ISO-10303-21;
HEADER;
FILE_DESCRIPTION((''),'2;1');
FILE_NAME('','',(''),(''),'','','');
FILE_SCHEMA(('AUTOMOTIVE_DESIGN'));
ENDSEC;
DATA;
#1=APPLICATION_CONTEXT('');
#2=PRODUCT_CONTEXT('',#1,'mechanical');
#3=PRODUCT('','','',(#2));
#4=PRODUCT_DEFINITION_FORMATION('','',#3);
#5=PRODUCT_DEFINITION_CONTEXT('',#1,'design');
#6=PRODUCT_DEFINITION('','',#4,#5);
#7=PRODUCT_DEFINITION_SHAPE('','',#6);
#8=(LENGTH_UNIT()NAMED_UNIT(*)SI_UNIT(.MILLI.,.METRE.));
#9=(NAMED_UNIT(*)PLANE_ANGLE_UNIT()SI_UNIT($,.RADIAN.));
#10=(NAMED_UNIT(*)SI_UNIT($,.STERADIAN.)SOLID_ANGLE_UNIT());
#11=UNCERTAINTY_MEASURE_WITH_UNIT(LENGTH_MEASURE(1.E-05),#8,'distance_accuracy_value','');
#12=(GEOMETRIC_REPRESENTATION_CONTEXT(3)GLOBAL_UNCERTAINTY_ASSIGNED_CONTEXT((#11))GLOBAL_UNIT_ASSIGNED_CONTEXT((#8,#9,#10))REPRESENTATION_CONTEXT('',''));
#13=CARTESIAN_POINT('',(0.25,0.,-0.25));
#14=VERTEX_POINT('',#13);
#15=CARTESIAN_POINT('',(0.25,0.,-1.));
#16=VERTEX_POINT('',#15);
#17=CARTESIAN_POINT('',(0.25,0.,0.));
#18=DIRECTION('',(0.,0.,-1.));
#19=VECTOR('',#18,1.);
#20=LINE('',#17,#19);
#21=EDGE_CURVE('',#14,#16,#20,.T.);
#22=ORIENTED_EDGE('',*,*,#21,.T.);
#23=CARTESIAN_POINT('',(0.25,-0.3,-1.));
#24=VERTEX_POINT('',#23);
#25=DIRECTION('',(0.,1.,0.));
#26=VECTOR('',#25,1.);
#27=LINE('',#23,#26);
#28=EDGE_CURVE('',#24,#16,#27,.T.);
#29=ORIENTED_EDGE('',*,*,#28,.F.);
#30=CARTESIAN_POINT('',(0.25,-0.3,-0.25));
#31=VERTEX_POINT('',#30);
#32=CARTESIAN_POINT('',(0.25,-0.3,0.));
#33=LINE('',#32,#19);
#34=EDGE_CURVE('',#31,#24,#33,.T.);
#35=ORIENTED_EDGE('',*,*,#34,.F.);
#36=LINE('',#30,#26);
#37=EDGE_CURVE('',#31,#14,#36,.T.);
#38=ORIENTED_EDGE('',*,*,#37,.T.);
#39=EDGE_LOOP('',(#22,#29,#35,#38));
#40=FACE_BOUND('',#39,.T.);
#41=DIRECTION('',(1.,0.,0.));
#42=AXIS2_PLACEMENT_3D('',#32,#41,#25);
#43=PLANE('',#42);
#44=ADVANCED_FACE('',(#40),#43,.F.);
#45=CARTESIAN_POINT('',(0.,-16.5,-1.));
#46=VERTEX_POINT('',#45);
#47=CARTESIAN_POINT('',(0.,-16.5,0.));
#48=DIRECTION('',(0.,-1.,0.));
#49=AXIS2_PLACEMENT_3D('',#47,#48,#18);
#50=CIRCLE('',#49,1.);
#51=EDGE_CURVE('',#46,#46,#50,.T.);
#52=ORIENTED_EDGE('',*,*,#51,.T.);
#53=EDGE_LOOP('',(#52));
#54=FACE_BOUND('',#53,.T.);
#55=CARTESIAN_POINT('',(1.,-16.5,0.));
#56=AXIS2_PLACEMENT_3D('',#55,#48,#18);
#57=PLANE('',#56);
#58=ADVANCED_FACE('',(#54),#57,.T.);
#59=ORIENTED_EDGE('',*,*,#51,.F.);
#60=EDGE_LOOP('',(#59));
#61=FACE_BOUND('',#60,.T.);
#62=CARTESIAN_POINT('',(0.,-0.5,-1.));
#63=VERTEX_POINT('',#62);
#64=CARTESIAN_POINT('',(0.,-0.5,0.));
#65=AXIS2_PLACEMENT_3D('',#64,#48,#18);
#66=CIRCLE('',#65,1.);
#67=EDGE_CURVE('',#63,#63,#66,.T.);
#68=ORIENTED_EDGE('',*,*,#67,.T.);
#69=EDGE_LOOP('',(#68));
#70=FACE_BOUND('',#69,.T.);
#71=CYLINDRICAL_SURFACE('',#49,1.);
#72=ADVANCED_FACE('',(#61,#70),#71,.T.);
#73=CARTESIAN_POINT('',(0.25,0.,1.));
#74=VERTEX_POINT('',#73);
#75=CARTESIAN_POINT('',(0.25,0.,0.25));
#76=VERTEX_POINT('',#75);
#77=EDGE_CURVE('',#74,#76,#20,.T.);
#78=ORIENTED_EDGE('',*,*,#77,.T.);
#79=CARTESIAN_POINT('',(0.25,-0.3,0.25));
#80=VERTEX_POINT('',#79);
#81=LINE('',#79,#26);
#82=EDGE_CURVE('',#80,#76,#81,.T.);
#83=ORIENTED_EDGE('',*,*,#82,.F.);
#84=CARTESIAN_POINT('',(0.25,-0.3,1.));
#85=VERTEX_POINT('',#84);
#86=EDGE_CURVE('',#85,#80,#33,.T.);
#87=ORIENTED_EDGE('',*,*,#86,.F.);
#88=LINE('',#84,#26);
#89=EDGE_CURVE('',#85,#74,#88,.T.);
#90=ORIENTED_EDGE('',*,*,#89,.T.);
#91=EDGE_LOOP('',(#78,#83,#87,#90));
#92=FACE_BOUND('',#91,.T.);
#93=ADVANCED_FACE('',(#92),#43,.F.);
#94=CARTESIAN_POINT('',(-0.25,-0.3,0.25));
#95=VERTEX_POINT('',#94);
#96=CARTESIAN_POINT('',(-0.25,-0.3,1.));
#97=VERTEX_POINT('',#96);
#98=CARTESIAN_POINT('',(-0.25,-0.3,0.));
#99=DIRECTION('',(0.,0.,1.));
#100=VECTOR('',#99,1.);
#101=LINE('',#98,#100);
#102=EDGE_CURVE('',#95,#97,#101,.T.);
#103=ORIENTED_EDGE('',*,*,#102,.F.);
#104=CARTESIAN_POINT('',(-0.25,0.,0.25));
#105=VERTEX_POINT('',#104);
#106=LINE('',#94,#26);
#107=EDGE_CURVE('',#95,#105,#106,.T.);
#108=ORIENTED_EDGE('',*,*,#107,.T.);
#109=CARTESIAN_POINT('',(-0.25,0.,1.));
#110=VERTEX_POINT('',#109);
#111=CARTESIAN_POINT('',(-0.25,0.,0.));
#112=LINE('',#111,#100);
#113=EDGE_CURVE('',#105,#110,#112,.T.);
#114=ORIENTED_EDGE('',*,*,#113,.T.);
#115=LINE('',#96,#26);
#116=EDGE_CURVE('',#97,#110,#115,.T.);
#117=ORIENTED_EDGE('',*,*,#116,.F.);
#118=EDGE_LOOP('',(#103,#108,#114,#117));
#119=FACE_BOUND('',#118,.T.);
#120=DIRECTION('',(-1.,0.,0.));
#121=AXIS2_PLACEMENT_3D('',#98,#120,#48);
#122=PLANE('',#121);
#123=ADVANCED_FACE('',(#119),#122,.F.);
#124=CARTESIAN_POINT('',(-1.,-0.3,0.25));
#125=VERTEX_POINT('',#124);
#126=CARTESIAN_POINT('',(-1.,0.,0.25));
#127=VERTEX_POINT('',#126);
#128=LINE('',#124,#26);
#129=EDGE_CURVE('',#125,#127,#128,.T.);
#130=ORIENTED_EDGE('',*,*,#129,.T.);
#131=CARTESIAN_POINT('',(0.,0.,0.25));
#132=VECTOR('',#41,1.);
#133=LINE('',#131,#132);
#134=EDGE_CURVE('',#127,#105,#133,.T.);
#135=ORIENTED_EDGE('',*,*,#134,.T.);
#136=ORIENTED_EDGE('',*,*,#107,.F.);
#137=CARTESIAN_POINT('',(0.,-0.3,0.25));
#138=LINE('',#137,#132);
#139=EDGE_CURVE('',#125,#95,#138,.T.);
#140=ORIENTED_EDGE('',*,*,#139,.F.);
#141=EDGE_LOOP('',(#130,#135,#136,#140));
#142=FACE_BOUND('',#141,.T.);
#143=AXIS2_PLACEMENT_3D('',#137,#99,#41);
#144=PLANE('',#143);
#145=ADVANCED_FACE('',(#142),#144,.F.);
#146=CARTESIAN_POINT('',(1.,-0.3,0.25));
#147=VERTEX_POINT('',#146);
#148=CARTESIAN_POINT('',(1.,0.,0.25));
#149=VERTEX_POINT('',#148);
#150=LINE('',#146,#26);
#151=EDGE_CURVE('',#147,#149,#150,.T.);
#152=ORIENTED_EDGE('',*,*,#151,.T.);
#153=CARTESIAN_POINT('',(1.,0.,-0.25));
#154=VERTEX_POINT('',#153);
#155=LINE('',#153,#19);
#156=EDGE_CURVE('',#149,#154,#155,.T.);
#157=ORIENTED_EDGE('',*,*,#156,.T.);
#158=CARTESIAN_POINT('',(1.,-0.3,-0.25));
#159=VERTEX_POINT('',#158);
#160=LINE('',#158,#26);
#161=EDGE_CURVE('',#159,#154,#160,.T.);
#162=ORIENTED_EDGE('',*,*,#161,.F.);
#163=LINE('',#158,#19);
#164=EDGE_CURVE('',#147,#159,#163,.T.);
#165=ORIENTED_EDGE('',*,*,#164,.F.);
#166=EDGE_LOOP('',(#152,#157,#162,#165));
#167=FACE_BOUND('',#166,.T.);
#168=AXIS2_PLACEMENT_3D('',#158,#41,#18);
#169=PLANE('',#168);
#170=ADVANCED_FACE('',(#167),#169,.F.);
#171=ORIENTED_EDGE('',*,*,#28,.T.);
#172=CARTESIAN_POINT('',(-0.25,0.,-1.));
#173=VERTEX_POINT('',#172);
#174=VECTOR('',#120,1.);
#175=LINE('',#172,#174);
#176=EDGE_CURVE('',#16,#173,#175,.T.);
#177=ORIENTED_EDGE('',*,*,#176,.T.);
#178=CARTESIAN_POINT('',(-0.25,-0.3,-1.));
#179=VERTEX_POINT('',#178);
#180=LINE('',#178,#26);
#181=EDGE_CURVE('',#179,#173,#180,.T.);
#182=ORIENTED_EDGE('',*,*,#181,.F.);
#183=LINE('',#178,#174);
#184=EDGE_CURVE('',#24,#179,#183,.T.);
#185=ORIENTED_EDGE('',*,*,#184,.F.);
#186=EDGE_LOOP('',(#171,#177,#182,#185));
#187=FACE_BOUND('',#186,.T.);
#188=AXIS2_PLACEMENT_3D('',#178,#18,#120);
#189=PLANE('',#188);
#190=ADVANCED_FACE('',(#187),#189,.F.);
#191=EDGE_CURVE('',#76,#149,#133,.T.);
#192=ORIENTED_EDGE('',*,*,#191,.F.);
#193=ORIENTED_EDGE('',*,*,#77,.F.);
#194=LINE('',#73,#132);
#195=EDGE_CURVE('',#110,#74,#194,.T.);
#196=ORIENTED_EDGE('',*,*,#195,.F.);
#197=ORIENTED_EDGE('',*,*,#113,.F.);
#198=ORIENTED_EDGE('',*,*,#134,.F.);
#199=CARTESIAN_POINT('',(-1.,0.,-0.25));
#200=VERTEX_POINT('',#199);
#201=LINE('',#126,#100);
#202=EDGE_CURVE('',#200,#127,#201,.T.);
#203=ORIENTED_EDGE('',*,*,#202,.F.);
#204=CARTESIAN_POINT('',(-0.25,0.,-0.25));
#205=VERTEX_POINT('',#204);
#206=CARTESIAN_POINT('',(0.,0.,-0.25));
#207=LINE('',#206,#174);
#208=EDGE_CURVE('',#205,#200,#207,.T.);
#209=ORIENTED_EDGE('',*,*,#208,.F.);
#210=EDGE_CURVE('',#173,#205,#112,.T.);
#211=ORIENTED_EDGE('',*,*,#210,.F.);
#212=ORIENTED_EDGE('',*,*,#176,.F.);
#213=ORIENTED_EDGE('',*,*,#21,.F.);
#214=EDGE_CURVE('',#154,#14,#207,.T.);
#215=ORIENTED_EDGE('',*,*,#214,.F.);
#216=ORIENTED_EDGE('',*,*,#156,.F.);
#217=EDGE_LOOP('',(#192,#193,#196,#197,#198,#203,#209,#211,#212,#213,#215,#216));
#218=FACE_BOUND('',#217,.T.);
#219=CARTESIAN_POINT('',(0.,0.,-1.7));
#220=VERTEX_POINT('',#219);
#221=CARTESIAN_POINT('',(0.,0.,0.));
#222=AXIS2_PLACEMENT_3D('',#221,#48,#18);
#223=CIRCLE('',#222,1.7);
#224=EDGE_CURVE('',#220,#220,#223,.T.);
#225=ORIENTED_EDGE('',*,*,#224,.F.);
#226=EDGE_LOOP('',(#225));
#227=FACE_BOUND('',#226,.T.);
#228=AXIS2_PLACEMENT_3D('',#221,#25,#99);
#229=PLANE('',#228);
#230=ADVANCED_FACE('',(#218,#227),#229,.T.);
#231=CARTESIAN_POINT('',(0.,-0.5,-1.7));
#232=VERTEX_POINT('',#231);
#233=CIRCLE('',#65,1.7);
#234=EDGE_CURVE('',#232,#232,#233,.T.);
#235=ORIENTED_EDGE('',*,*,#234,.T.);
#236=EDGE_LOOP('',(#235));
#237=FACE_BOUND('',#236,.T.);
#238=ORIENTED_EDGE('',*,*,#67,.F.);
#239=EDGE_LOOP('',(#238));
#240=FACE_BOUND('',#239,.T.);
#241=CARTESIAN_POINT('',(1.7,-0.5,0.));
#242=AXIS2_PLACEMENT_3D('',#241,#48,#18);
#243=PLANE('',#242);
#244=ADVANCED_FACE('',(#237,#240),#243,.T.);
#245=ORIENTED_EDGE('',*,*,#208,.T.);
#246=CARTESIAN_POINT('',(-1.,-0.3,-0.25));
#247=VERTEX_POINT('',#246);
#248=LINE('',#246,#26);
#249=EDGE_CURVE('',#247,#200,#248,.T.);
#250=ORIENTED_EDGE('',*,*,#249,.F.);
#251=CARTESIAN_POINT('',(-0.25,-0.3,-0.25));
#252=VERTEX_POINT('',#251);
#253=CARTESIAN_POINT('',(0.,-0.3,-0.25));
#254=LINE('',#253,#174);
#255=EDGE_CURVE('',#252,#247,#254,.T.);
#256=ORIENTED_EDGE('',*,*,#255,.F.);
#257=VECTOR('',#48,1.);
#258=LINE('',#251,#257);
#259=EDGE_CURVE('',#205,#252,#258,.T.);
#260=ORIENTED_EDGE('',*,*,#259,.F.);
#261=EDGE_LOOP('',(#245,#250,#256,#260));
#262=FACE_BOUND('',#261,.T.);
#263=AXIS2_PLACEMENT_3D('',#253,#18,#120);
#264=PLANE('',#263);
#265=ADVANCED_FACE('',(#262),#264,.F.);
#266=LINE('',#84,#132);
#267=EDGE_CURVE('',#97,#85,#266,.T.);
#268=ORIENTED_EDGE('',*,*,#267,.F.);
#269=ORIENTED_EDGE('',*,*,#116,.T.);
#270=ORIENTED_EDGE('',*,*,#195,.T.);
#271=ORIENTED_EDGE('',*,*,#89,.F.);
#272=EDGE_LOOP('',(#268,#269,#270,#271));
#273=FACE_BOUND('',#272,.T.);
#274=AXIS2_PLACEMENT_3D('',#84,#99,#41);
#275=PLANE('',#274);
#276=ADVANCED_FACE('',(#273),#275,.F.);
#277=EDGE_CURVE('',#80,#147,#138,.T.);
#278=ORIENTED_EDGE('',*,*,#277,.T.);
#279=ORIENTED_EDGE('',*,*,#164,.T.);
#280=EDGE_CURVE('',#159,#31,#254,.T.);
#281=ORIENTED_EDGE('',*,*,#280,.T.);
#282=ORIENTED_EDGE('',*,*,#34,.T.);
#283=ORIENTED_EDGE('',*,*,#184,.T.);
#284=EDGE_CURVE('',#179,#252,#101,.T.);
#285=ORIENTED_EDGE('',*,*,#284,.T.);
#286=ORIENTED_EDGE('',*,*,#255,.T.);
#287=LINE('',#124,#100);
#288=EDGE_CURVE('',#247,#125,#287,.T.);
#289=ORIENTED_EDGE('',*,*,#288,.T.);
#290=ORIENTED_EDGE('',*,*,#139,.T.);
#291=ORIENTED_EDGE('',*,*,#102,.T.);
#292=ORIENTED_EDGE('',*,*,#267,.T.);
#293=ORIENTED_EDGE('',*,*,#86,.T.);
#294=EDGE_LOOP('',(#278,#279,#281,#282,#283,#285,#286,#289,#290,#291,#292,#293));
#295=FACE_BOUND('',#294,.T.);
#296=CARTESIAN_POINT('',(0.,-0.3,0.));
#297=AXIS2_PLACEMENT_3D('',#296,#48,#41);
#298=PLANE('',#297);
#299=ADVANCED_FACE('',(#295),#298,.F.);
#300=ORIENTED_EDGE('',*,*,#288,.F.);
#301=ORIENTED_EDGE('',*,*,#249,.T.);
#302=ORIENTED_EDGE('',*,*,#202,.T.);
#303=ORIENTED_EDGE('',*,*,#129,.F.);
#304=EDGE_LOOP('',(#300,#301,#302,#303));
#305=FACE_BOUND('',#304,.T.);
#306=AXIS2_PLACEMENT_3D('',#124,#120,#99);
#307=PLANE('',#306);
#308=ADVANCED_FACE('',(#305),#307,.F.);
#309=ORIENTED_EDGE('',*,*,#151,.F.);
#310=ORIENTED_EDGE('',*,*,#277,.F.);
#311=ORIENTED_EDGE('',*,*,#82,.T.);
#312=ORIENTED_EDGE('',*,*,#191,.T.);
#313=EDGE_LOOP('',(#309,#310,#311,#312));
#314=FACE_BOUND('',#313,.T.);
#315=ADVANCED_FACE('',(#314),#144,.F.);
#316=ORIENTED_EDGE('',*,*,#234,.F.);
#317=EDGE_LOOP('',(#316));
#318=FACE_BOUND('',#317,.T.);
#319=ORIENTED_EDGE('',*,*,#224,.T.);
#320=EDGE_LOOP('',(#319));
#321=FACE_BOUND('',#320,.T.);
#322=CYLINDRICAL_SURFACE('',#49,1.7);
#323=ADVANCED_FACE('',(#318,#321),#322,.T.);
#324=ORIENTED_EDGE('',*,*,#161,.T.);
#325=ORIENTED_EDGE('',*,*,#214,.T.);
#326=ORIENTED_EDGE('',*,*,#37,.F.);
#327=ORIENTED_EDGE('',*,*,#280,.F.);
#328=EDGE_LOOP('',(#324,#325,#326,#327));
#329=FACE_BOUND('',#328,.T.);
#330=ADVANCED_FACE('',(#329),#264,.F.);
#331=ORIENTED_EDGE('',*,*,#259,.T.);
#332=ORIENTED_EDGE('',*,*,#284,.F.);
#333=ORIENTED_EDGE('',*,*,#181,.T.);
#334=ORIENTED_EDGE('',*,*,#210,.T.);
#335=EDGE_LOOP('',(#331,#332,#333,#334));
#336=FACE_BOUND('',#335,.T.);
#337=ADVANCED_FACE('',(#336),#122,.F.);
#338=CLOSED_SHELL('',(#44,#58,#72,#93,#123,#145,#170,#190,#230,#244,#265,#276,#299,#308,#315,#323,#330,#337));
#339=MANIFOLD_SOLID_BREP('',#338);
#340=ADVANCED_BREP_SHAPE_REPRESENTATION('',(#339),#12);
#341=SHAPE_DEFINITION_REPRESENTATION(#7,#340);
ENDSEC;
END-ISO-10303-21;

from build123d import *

# Parameters (mm, degrees)
SKETCH_2_W               = 0.5
SKETCH_2_H               = 1
CUT_EXTRUDE_1_DEPTH      = 0.3
PATTERN_CIRCULAR_1_COUNT = 4


with BuildPart() as part:
    # ｽｹｯﾁ1 → 回転1 (revolve)
    with BuildSketch(Plane.XY, mode=Mode.PRIVATE) as revolve_1_sk:
        Polygon((0, 0), (1.7, 0), (1.7, -0.5), (1, -0.5), (1, -16.5), (0, -16.5), align=None)
    revolve(revolve_1_sk.sketch.rotate(Axis((0, -16.5, 0), (0, 1, 0)), 90), axis=Axis((0, -16.5, 0), (0, 1, 0)))

    # ｽｹｯﾁ2 → ｶｯﾄ - 押し出し1 (cut)
    with BuildSketch(Plane(origin=(0, 0, 0), x_dir=(1, 0, 0), z_dir=(0, 1, 0))):
        with Locations((0, 0.5)):
            Rectangle(SKETCH_2_W, SKETCH_2_H)
    cut_extrude_1 = extrude(amount=-CUT_EXTRUDE_1_DEPTH, mode=Mode.SUBTRACT)

    # 円形ﾊﾟﾀｰﾝ1: ｶｯﾄ - 押し出し1 ×4 about axis
    pattern_circular_1_axis = Axis((0, 0, 0), (0, 1, 0))
    for i in range(1, PATTERN_CIRCULAR_1_COUNT):
        add(cut_extrude_1.rotate(pattern_circular_1_axis, i * 360 / PATTERN_CIRCULAR_1_COUNT), mode=Mode.SUBTRACT)


solid = part.part
